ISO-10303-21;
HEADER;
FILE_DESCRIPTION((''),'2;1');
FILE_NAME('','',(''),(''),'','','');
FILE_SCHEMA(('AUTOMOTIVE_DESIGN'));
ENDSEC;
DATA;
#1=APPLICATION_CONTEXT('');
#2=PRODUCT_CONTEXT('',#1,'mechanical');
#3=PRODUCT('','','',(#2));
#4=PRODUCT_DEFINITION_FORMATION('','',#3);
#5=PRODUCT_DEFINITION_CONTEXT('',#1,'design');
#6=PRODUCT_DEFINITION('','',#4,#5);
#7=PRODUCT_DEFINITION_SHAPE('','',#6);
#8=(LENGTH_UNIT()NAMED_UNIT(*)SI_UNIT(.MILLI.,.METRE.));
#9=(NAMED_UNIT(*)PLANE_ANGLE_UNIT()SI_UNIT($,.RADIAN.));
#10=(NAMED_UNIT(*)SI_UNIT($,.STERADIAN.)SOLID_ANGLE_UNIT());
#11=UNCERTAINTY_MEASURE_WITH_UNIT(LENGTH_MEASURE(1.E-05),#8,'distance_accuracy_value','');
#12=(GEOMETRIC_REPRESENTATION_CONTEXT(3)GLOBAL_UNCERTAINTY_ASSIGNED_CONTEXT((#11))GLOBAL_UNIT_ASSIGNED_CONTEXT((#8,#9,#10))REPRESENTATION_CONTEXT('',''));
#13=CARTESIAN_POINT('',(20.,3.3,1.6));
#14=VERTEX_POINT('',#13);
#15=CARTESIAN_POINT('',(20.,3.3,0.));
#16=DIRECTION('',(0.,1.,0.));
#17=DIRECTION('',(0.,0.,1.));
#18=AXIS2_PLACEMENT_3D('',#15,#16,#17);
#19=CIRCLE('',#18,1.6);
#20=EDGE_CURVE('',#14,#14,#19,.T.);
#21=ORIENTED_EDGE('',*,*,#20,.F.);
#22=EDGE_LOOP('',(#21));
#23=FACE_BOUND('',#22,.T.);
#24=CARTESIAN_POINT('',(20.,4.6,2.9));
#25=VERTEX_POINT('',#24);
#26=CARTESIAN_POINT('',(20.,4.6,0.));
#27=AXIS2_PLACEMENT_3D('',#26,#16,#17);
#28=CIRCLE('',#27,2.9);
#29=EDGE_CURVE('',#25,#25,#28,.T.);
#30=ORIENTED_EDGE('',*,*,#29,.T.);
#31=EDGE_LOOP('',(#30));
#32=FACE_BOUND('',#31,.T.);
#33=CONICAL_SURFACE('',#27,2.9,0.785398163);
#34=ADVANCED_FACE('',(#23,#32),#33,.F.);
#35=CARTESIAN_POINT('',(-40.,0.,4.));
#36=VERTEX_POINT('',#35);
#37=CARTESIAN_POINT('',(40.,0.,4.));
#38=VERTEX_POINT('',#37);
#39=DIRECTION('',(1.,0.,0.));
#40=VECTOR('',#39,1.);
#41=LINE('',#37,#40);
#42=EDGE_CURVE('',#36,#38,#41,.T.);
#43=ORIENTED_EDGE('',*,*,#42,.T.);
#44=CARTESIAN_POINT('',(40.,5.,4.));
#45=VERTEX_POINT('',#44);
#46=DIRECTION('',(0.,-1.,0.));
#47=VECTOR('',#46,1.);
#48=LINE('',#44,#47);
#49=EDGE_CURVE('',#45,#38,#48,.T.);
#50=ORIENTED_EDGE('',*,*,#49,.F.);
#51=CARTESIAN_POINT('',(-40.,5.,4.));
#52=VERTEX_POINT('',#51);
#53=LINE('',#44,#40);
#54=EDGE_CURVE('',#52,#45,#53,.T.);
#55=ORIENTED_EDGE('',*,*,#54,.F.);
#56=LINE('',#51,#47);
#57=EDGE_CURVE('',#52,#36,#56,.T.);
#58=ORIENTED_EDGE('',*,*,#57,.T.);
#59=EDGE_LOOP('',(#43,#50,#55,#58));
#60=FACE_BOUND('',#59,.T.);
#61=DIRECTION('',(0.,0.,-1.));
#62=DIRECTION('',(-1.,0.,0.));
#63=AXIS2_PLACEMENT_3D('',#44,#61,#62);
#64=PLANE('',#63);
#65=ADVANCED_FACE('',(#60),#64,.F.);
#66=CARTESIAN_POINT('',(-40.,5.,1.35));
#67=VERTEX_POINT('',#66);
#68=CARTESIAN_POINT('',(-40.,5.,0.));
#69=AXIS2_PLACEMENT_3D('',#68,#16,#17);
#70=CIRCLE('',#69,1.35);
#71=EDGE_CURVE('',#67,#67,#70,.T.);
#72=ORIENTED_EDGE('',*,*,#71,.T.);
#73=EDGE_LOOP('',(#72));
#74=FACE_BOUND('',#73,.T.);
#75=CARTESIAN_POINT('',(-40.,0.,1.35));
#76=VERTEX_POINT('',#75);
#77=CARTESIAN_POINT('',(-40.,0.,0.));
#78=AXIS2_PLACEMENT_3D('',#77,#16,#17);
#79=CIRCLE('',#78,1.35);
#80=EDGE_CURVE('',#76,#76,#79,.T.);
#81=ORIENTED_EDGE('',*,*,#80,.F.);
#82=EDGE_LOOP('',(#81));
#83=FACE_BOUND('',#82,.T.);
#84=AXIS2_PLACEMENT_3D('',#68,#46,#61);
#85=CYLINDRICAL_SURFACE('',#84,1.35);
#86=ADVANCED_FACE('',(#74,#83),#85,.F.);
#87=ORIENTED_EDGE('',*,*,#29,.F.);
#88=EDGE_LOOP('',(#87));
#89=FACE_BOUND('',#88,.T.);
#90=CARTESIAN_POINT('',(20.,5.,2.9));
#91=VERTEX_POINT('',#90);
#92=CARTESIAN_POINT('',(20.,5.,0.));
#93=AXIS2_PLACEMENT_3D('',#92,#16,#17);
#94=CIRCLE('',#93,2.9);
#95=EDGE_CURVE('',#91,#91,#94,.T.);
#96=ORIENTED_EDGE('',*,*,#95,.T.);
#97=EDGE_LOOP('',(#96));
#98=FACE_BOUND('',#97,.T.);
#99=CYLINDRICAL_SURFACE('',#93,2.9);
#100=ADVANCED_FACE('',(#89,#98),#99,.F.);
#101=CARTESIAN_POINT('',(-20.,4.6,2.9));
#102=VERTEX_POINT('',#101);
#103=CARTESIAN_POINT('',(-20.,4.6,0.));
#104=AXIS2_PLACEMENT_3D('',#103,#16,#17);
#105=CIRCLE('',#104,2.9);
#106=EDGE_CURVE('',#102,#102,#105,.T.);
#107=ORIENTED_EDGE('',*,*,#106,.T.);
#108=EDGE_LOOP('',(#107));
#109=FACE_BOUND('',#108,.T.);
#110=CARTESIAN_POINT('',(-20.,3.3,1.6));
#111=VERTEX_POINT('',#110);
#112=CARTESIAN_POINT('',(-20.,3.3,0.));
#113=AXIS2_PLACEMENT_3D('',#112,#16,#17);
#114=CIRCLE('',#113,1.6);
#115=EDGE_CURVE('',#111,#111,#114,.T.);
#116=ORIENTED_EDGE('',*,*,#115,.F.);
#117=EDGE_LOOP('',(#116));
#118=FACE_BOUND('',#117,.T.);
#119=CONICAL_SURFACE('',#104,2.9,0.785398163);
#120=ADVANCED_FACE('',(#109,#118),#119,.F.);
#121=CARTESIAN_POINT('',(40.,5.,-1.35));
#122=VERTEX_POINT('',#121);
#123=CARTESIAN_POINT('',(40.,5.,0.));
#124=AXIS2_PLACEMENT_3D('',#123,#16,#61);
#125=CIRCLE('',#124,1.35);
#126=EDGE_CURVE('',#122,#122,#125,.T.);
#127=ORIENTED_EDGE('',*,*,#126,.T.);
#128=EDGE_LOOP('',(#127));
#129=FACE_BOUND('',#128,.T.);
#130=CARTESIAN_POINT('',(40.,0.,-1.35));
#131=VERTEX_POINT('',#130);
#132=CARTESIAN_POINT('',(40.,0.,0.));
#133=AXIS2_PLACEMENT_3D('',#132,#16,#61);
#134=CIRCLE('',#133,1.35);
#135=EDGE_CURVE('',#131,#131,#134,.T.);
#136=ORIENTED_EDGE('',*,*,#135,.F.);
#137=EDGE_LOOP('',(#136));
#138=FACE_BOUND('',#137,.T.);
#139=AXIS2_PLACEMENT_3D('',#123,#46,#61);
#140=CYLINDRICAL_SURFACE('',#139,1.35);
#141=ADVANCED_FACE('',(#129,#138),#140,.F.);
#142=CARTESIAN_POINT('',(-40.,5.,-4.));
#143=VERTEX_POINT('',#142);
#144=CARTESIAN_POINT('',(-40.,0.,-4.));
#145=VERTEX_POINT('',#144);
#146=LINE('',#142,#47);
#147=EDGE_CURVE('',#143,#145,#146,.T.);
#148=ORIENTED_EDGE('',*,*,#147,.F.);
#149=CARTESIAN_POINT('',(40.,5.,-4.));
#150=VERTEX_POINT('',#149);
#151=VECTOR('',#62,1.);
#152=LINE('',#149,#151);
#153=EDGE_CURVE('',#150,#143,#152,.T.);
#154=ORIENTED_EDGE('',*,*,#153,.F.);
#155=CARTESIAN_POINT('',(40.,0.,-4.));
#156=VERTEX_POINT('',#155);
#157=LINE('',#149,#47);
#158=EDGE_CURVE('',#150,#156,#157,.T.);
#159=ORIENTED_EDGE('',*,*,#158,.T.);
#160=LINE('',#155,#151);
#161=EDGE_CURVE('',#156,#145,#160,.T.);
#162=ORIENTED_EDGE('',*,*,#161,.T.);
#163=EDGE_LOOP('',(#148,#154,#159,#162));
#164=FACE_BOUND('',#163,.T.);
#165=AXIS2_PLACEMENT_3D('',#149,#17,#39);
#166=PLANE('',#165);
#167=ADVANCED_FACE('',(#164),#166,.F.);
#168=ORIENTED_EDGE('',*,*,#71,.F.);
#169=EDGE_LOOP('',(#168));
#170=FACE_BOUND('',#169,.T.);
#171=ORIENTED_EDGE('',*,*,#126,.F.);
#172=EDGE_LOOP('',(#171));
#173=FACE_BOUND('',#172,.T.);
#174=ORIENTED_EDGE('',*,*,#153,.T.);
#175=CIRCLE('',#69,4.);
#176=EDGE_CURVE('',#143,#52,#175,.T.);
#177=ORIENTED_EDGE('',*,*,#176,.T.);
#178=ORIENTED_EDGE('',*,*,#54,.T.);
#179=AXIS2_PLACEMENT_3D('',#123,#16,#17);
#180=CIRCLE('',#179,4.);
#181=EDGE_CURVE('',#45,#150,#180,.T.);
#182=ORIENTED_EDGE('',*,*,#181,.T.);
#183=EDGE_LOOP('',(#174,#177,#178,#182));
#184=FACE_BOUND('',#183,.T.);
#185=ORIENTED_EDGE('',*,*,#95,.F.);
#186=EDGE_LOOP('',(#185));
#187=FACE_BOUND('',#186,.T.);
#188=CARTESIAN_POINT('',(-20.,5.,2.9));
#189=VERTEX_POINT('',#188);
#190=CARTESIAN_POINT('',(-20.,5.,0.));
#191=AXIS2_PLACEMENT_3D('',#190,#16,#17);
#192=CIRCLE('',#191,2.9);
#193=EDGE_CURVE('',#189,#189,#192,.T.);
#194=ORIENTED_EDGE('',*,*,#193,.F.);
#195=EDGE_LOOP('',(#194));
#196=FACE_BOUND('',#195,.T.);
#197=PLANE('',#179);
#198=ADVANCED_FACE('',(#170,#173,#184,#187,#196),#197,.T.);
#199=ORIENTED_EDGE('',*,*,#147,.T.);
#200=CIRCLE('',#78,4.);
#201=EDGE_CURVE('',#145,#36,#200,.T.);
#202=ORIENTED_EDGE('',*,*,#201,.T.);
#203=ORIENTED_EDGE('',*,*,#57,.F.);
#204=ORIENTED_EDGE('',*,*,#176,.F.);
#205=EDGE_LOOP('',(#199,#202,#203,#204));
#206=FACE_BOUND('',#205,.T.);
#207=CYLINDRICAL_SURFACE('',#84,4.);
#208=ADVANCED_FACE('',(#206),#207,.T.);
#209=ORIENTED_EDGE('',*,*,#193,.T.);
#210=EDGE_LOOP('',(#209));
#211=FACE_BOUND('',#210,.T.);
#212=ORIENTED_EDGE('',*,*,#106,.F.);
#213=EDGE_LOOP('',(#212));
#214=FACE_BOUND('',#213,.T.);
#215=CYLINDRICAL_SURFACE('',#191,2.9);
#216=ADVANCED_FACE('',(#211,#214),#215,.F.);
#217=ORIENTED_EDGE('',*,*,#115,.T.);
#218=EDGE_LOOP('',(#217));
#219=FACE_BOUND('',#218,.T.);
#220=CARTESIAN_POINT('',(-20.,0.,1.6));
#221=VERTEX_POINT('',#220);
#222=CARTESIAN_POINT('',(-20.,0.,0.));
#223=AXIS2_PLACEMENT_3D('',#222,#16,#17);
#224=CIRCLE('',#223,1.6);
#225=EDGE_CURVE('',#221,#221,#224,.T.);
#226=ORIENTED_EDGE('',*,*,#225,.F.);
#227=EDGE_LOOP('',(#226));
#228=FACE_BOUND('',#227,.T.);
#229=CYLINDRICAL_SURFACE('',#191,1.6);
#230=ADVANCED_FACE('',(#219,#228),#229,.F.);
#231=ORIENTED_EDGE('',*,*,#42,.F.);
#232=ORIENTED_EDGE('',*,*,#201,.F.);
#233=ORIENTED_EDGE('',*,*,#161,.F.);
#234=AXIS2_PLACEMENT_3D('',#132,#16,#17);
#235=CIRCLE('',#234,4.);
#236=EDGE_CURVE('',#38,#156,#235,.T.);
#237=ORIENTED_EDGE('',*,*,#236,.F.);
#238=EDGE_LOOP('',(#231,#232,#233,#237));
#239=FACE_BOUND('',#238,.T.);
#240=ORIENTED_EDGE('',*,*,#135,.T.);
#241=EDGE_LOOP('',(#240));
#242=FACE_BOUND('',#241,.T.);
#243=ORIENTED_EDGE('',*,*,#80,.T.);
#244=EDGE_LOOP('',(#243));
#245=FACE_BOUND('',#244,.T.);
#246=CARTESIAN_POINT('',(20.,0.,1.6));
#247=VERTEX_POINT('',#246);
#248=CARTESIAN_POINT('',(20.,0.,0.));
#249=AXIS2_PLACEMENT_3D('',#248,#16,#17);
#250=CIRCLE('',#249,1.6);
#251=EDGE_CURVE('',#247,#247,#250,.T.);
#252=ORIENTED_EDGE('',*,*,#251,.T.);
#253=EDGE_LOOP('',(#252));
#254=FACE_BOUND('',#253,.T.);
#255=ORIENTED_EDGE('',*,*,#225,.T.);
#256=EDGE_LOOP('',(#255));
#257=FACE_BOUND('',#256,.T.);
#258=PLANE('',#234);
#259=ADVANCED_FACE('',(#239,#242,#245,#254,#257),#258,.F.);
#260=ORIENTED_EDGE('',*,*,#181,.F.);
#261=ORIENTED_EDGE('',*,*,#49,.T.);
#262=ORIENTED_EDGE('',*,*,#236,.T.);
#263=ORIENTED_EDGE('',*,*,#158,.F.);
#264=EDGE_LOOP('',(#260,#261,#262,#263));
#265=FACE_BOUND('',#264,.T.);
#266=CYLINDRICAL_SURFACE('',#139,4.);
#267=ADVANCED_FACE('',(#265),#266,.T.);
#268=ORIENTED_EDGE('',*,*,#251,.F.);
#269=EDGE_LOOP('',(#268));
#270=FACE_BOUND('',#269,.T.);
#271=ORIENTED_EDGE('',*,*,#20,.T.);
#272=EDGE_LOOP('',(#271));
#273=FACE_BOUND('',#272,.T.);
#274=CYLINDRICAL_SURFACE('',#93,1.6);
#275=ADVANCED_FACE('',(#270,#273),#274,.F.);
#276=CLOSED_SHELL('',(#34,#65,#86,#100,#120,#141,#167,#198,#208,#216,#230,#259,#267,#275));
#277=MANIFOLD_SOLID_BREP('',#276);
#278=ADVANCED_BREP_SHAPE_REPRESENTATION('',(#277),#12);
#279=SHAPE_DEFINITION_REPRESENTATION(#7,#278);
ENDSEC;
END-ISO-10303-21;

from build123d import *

# Parameters (mm, degrees)
ESQUISSE1_R        = 1.35
BOSS_EXTRU_1_DEPTH = 5


with BuildPart() as part:
    # Esquisse1 → Boss.-Extru.1 (new body)
    with BuildSketch(Plane(origin=(0, 0, 0), x_dir=(1, 0, 0), z_dir=(0, 1, 0))):
        with BuildLine():
            Line((40, -4), (-40, -4))
            ThreePointArc((-40, -4), (-44, 0), (-40, 4))
            Line((-40, 4), (40, 4))
            ThreePointArc((40, 4), (44, 0), (40, -4))
        make_face()
        with Locations(Location((-40, 0, 0), (0, 0, 270))):
            Circle(ESQUISSE1_R, mode=Mode.SUBTRACT)
        with Locations(Location((40, 0, 0), (0, 0, 90))):
            Circle(ESQUISSE1_R, mode=Mode.SUBTRACT)
    extrude(amount=BOSS_EXTRU_1_DEPTH)

    # Esquisse2 → Fraisage pour vis à tête fraisée M31 (revolve, cut)
    with BuildSketch(Plane(origin=(-20, 5, 0), x_dir=(0, 0, 1), z_dir=(1, 0, 0))):
        Polygon((0, 0), (0, 5), (1.6, 5), (1.6, 1.7), (2.9, 0.4), (2.9, 0), align=None)
    fraisage_pour_vis_t_te_frais_e_m31 = revolve(axis=Axis((-20, 11.35, 0), (0, -1, 0)), mode=Mode.SUBTRACT)

    # Symétrie1: Fraisage pour vis à tête fraisée M31 across plane
    add(fraisage_pour_vis_t_te_frais_e_m31.mirror(Plane(origin=(0, 0, 0), x_dir=(0, 0, 1), z_dir=(1, 0, 0))), mode=Mode.SUBTRACT)


solid = part.part
